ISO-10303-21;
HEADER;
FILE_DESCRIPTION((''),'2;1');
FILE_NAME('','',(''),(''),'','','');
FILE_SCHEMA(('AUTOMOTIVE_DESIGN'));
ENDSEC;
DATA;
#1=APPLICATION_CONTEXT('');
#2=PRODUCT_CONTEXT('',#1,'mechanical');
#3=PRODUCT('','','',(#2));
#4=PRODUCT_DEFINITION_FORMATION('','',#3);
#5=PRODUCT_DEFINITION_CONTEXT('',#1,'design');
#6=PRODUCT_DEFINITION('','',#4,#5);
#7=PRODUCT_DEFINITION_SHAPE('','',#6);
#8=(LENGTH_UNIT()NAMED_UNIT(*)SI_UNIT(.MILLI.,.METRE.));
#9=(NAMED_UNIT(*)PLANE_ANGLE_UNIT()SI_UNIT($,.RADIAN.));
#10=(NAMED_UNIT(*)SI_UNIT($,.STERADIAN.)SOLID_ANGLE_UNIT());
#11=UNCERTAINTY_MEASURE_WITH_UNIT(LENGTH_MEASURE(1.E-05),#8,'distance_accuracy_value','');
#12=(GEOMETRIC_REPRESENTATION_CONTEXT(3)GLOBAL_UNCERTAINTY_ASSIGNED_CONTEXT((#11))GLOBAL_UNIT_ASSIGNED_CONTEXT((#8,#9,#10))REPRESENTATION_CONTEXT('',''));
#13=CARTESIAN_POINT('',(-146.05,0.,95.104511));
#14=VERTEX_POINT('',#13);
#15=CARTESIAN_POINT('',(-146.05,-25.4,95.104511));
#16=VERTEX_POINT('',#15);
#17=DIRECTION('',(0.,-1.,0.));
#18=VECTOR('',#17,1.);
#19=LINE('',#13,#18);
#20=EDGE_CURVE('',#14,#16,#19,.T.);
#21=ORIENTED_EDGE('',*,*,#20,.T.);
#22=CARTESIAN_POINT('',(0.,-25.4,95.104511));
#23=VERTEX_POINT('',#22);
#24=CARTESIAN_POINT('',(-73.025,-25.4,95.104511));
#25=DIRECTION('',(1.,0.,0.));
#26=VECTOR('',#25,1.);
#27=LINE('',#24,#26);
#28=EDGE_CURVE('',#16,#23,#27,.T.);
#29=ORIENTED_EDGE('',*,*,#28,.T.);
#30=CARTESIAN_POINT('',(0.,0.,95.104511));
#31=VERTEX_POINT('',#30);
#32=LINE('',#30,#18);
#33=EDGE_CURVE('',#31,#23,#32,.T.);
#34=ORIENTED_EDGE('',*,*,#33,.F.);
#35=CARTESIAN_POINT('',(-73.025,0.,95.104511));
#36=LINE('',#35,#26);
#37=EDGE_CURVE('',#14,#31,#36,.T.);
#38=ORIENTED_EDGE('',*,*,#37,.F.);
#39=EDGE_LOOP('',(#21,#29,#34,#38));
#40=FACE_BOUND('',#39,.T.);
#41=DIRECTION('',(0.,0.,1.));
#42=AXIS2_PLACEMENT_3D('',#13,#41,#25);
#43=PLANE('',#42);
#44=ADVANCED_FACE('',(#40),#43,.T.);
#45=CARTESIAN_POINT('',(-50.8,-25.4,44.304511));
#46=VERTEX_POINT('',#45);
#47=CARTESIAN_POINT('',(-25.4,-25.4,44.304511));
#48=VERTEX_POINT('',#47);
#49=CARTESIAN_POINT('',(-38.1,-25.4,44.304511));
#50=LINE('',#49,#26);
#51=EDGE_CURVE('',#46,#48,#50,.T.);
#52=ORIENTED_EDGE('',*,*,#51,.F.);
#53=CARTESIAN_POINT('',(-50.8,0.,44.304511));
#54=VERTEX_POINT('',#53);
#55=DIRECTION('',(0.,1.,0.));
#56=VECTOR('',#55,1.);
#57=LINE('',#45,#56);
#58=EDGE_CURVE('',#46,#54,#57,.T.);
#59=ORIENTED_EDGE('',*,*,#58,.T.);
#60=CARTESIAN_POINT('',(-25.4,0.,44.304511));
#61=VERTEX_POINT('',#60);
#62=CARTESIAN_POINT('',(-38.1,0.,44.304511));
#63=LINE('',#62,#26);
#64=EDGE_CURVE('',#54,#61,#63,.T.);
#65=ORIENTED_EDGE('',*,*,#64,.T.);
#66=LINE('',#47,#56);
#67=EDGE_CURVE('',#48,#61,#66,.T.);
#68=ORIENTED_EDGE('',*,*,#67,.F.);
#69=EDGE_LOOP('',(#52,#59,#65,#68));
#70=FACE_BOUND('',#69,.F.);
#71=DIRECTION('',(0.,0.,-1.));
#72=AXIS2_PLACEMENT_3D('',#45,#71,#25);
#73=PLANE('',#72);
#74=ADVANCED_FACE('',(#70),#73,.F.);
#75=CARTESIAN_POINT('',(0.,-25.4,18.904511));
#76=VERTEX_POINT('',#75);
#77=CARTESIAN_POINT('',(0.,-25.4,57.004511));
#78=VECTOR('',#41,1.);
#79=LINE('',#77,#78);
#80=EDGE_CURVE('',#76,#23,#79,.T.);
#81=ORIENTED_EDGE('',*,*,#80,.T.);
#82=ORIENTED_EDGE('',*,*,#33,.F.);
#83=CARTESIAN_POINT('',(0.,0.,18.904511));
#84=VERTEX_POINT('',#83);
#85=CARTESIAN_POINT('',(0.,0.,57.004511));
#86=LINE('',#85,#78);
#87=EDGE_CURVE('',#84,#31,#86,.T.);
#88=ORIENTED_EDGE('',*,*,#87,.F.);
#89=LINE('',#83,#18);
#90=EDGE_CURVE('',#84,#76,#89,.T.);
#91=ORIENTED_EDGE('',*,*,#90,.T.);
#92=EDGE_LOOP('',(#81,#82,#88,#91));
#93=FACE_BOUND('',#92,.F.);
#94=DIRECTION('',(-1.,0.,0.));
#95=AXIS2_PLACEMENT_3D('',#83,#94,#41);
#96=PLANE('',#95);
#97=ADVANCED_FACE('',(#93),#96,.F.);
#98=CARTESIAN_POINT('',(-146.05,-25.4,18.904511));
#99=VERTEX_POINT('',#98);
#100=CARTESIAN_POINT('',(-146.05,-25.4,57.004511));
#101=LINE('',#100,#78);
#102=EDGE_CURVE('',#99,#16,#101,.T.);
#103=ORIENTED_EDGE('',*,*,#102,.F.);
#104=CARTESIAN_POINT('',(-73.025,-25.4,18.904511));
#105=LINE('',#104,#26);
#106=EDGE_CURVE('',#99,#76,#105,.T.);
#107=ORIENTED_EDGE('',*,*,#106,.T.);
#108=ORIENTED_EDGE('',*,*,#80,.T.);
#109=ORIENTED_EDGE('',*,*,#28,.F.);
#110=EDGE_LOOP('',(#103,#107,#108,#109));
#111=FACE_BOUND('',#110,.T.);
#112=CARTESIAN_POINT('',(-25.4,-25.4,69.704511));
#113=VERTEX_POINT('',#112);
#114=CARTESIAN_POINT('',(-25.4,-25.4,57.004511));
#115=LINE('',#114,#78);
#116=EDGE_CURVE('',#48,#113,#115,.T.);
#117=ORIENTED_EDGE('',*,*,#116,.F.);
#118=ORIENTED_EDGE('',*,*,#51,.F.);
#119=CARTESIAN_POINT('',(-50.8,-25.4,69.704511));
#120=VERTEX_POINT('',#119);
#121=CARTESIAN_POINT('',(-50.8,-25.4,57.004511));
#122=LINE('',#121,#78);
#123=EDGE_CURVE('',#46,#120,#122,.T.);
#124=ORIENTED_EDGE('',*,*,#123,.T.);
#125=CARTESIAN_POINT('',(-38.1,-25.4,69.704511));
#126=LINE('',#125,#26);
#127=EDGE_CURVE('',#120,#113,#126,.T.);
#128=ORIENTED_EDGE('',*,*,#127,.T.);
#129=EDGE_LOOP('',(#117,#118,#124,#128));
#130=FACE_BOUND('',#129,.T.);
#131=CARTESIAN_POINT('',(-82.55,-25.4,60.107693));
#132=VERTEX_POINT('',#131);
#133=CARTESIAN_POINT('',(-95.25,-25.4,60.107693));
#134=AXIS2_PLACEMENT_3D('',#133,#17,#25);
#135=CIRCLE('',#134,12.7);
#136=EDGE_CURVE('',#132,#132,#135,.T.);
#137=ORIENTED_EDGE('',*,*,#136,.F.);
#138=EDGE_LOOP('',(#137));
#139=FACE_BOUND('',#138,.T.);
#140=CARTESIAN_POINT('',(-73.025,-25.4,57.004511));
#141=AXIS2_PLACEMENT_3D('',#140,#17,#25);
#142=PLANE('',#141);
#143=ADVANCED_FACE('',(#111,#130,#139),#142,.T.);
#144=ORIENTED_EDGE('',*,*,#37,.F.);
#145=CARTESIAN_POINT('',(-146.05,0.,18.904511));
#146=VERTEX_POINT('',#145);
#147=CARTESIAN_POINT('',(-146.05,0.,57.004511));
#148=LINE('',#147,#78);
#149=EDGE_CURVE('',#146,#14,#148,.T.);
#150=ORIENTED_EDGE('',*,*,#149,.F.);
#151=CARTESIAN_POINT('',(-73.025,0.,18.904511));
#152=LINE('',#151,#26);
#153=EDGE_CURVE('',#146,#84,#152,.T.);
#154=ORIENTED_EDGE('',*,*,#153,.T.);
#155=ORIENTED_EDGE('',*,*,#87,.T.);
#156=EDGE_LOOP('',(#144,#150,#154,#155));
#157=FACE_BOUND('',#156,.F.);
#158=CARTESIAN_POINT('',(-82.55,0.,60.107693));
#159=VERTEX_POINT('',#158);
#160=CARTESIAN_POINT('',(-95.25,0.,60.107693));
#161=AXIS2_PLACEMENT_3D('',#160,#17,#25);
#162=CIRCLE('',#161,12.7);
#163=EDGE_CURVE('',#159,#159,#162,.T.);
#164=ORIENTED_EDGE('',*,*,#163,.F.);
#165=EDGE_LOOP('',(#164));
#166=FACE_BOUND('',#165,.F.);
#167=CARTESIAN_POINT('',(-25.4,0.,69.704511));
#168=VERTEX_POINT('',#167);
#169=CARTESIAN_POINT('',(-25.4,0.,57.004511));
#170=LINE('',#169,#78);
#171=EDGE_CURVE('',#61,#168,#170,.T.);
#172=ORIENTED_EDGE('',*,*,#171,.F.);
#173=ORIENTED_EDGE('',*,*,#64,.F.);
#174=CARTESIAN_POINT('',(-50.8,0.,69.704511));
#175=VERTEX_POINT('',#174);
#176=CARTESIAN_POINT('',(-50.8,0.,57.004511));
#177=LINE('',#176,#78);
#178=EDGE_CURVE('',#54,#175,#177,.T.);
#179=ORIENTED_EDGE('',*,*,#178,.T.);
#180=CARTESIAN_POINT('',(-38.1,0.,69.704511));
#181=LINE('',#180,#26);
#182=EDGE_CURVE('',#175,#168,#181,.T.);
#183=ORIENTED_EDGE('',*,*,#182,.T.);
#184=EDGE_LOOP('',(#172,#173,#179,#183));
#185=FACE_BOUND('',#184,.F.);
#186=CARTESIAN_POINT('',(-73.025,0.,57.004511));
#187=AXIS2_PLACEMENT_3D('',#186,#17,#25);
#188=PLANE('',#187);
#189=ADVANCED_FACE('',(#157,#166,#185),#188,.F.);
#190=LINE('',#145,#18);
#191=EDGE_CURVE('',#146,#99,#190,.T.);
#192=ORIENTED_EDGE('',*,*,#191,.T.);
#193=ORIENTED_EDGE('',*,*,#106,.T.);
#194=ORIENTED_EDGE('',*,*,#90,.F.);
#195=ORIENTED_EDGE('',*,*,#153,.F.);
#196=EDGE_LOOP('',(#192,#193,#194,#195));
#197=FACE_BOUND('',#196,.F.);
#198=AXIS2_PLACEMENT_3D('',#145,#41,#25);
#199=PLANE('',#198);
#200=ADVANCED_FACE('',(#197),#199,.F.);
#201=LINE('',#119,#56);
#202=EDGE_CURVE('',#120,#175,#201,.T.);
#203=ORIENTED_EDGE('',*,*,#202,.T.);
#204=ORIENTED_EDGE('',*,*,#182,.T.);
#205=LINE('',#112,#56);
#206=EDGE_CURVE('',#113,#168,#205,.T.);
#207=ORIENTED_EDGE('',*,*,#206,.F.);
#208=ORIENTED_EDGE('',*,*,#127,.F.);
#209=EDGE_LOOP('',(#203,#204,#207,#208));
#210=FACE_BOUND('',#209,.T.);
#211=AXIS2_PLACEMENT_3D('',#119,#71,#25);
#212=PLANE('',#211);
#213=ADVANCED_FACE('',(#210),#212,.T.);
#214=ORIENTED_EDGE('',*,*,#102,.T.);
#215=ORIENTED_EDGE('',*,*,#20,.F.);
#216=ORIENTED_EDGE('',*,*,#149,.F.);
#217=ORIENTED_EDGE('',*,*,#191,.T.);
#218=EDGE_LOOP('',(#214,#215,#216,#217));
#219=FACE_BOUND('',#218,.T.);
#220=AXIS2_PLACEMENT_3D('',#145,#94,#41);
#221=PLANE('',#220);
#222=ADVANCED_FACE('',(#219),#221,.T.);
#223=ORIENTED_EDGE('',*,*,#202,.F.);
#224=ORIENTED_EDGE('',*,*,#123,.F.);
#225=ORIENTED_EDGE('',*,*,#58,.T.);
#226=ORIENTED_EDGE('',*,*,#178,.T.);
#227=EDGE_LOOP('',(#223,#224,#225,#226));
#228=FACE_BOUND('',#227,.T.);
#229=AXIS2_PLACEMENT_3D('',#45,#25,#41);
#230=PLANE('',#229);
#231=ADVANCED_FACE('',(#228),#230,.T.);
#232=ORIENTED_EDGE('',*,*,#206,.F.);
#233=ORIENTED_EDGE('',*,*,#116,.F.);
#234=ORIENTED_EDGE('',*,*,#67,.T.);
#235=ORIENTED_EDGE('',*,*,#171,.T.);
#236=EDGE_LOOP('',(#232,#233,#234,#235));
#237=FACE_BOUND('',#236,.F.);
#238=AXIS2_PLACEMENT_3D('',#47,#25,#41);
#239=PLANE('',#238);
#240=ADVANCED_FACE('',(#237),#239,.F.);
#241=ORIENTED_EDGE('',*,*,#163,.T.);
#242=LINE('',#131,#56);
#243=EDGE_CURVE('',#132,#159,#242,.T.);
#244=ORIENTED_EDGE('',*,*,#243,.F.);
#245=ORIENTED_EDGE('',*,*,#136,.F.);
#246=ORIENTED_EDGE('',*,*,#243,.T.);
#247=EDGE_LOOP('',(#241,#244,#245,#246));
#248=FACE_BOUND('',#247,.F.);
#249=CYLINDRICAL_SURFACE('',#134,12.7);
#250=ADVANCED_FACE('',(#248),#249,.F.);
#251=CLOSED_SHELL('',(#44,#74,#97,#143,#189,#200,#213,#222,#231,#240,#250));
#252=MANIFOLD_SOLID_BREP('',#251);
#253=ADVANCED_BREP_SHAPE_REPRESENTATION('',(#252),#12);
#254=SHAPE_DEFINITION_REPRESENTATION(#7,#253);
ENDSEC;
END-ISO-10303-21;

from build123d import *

# Parameters (mm, degrees)
F0_W     = 146.05
F0_H     = 76.2
F1_DEPTH = 25.4
F3_R     = 12.7
F3_W     = 25.4
F3_H     = 25.4
F4_DEPTH = 25.4


with BuildPart() as f1:
    # F0 (on Front) → F1 (new body)
    with BuildSketch(Plane.XZ):
        with Locations((-73.025, 57.004511)):
            Rectangle(F0_W, F0_H)
    extrude(amount=F1_DEPTH)

    # F3 (on face) → F4 (cut)
    with BuildSketch(Plane.XZ.offset(25.4)):
        with Locations((-95.25, 60.107693)):
            Circle(F3_R)
        with Locations((-38.1, 57.004511)):
            Rectangle(F3_W, F3_H)
    extrude(amount=-F4_DEPTH, mode=Mode.SUBTRACT)


solid = f1.part
